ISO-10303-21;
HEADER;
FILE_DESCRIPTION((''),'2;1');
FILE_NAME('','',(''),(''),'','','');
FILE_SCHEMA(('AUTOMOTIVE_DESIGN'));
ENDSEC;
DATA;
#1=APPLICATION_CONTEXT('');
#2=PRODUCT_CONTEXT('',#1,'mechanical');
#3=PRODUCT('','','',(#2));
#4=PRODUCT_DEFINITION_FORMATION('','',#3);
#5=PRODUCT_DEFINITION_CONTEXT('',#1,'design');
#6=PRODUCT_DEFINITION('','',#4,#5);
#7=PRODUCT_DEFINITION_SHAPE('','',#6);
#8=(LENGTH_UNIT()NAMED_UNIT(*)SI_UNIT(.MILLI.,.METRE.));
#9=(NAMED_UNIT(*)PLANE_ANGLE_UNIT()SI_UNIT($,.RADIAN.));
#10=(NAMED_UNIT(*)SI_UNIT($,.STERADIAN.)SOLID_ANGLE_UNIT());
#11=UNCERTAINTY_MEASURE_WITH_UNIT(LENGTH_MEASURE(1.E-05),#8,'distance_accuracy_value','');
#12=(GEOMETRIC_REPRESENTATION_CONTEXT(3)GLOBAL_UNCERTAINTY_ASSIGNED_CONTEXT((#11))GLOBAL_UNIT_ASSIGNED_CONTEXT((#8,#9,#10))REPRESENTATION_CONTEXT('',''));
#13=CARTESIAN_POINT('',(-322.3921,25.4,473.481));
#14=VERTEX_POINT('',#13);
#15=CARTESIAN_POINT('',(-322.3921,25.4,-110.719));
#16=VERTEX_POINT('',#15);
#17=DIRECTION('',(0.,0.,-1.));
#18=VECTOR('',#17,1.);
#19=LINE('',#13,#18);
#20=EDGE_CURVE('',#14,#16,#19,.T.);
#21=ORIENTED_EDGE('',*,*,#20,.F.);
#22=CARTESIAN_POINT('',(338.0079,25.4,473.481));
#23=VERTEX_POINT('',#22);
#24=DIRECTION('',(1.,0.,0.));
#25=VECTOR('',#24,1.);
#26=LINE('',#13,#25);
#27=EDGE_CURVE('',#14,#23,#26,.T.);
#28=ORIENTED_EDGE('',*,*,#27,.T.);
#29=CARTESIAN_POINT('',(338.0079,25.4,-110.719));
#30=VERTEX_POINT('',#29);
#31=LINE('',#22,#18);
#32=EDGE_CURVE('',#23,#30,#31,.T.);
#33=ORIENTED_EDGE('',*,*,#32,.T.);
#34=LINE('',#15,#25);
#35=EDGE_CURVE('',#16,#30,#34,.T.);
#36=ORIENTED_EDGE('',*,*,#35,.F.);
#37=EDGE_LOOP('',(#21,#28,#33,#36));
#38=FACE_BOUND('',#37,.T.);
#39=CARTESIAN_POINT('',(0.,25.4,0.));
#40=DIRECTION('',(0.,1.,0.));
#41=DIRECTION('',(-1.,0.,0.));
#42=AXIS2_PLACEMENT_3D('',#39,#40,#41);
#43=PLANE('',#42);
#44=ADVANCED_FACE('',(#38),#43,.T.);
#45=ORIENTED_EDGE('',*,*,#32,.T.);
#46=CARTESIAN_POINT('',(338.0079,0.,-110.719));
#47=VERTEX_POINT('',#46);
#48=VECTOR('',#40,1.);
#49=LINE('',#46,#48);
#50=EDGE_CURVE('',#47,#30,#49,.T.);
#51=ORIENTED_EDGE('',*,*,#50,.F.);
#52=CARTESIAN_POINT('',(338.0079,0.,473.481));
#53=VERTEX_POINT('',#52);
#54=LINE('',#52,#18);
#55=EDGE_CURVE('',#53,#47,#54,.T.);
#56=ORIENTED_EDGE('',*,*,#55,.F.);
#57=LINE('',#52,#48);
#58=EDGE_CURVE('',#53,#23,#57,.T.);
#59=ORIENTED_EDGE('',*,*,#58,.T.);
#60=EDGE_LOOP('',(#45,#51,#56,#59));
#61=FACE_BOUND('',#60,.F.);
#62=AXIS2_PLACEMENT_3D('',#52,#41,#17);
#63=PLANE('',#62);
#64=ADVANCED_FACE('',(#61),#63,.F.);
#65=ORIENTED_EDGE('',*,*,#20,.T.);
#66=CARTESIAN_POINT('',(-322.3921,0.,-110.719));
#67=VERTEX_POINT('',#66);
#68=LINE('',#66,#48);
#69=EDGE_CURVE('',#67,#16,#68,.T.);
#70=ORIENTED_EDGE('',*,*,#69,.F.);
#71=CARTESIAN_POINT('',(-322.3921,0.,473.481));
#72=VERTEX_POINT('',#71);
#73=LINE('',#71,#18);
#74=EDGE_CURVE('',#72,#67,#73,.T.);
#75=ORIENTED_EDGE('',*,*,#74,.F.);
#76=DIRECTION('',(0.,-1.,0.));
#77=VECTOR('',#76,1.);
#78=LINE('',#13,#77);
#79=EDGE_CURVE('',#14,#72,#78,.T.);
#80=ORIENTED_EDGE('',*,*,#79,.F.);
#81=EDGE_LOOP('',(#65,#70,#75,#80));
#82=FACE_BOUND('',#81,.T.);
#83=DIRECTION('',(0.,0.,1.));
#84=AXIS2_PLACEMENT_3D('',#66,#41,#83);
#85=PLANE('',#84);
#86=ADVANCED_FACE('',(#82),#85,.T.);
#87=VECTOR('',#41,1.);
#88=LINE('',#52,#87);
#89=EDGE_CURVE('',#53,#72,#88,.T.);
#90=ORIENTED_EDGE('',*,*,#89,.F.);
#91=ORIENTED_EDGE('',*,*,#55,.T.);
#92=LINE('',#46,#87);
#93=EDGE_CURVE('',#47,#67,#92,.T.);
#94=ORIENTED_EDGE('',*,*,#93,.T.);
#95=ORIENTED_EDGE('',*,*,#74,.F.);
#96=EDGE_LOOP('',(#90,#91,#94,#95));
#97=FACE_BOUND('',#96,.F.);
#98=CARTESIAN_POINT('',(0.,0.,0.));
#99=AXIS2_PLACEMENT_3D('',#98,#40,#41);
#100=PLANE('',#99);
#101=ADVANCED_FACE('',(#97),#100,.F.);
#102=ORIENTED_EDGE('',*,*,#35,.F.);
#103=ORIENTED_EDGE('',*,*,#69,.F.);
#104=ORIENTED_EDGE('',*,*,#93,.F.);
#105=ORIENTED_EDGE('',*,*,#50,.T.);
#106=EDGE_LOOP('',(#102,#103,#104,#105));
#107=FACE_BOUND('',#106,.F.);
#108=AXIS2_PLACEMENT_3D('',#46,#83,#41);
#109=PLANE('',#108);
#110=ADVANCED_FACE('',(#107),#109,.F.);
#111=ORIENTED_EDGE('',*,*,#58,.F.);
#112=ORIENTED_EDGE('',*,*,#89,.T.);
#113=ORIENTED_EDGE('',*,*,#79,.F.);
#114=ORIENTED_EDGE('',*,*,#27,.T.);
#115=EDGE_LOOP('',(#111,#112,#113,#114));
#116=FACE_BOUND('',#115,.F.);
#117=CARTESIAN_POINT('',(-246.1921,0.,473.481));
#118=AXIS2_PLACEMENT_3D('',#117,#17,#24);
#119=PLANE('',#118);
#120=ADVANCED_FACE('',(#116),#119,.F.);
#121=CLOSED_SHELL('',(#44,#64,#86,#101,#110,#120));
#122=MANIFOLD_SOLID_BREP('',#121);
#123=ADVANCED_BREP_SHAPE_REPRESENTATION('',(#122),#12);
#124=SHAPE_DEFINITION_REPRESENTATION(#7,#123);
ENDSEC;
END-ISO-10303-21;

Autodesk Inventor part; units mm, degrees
ref_plane "YZ Plane" through (0, 0, 0) normal (1, 0, 0) x (0, 1, 0)
ref_plane "XZ Plane" through (0, 0, 0) normal (0, 1, 0) x (-1, 0, 0)
ref_plane "XY Plane" through (0, 0, 0) normal (0, 0, 1) x (1, 0, 0)
sketch "Sketch1" plane through (0, 0, 0) normal (0, 1, 0) x (-1, 0, 0)
  line L0 (246.1921, 473.481) -> (-338.0079, 473.481)
  line L1 (-338.0079, 473.481) -> (-338.0079, -110.719)
  line L2 (-338.0079, -110.719) -> (246.1921, -110.719)
  line L3 (246.1921, -110.719) -> (246.1921, 473.481)
  point P0 (0, 0)
  dimension "d0" = 584.2
  dimension "d1" = 584.2
extrude "Extrusion1" add sketch "Sketch1" along normal blind 25.4
sketch "Sketch2" plane through (-246.1921, 0, -110.719) normal (-1, 0, 0) x (0, 0, 1)
  line L0 (584.2, 25.4) -> (0, 25.4) projected
  line L1 (584.2, 0) -> (0, 0) projected
  line L2 (0, 25.4) -> (584.2, 25.4)
  line L3 (584.2, 25.4) -> (584.2, 0)
  line L4 (584.2, 0) -> (0, 0)
  line L5 (0, 0) -> (0, 25.4)
  point P0 (110.719, 0)
  point P1 (0, 0)
extrude "Extrusion2" add sketch "Sketch2" along normal blind 76.2
properties part number "platformm"
